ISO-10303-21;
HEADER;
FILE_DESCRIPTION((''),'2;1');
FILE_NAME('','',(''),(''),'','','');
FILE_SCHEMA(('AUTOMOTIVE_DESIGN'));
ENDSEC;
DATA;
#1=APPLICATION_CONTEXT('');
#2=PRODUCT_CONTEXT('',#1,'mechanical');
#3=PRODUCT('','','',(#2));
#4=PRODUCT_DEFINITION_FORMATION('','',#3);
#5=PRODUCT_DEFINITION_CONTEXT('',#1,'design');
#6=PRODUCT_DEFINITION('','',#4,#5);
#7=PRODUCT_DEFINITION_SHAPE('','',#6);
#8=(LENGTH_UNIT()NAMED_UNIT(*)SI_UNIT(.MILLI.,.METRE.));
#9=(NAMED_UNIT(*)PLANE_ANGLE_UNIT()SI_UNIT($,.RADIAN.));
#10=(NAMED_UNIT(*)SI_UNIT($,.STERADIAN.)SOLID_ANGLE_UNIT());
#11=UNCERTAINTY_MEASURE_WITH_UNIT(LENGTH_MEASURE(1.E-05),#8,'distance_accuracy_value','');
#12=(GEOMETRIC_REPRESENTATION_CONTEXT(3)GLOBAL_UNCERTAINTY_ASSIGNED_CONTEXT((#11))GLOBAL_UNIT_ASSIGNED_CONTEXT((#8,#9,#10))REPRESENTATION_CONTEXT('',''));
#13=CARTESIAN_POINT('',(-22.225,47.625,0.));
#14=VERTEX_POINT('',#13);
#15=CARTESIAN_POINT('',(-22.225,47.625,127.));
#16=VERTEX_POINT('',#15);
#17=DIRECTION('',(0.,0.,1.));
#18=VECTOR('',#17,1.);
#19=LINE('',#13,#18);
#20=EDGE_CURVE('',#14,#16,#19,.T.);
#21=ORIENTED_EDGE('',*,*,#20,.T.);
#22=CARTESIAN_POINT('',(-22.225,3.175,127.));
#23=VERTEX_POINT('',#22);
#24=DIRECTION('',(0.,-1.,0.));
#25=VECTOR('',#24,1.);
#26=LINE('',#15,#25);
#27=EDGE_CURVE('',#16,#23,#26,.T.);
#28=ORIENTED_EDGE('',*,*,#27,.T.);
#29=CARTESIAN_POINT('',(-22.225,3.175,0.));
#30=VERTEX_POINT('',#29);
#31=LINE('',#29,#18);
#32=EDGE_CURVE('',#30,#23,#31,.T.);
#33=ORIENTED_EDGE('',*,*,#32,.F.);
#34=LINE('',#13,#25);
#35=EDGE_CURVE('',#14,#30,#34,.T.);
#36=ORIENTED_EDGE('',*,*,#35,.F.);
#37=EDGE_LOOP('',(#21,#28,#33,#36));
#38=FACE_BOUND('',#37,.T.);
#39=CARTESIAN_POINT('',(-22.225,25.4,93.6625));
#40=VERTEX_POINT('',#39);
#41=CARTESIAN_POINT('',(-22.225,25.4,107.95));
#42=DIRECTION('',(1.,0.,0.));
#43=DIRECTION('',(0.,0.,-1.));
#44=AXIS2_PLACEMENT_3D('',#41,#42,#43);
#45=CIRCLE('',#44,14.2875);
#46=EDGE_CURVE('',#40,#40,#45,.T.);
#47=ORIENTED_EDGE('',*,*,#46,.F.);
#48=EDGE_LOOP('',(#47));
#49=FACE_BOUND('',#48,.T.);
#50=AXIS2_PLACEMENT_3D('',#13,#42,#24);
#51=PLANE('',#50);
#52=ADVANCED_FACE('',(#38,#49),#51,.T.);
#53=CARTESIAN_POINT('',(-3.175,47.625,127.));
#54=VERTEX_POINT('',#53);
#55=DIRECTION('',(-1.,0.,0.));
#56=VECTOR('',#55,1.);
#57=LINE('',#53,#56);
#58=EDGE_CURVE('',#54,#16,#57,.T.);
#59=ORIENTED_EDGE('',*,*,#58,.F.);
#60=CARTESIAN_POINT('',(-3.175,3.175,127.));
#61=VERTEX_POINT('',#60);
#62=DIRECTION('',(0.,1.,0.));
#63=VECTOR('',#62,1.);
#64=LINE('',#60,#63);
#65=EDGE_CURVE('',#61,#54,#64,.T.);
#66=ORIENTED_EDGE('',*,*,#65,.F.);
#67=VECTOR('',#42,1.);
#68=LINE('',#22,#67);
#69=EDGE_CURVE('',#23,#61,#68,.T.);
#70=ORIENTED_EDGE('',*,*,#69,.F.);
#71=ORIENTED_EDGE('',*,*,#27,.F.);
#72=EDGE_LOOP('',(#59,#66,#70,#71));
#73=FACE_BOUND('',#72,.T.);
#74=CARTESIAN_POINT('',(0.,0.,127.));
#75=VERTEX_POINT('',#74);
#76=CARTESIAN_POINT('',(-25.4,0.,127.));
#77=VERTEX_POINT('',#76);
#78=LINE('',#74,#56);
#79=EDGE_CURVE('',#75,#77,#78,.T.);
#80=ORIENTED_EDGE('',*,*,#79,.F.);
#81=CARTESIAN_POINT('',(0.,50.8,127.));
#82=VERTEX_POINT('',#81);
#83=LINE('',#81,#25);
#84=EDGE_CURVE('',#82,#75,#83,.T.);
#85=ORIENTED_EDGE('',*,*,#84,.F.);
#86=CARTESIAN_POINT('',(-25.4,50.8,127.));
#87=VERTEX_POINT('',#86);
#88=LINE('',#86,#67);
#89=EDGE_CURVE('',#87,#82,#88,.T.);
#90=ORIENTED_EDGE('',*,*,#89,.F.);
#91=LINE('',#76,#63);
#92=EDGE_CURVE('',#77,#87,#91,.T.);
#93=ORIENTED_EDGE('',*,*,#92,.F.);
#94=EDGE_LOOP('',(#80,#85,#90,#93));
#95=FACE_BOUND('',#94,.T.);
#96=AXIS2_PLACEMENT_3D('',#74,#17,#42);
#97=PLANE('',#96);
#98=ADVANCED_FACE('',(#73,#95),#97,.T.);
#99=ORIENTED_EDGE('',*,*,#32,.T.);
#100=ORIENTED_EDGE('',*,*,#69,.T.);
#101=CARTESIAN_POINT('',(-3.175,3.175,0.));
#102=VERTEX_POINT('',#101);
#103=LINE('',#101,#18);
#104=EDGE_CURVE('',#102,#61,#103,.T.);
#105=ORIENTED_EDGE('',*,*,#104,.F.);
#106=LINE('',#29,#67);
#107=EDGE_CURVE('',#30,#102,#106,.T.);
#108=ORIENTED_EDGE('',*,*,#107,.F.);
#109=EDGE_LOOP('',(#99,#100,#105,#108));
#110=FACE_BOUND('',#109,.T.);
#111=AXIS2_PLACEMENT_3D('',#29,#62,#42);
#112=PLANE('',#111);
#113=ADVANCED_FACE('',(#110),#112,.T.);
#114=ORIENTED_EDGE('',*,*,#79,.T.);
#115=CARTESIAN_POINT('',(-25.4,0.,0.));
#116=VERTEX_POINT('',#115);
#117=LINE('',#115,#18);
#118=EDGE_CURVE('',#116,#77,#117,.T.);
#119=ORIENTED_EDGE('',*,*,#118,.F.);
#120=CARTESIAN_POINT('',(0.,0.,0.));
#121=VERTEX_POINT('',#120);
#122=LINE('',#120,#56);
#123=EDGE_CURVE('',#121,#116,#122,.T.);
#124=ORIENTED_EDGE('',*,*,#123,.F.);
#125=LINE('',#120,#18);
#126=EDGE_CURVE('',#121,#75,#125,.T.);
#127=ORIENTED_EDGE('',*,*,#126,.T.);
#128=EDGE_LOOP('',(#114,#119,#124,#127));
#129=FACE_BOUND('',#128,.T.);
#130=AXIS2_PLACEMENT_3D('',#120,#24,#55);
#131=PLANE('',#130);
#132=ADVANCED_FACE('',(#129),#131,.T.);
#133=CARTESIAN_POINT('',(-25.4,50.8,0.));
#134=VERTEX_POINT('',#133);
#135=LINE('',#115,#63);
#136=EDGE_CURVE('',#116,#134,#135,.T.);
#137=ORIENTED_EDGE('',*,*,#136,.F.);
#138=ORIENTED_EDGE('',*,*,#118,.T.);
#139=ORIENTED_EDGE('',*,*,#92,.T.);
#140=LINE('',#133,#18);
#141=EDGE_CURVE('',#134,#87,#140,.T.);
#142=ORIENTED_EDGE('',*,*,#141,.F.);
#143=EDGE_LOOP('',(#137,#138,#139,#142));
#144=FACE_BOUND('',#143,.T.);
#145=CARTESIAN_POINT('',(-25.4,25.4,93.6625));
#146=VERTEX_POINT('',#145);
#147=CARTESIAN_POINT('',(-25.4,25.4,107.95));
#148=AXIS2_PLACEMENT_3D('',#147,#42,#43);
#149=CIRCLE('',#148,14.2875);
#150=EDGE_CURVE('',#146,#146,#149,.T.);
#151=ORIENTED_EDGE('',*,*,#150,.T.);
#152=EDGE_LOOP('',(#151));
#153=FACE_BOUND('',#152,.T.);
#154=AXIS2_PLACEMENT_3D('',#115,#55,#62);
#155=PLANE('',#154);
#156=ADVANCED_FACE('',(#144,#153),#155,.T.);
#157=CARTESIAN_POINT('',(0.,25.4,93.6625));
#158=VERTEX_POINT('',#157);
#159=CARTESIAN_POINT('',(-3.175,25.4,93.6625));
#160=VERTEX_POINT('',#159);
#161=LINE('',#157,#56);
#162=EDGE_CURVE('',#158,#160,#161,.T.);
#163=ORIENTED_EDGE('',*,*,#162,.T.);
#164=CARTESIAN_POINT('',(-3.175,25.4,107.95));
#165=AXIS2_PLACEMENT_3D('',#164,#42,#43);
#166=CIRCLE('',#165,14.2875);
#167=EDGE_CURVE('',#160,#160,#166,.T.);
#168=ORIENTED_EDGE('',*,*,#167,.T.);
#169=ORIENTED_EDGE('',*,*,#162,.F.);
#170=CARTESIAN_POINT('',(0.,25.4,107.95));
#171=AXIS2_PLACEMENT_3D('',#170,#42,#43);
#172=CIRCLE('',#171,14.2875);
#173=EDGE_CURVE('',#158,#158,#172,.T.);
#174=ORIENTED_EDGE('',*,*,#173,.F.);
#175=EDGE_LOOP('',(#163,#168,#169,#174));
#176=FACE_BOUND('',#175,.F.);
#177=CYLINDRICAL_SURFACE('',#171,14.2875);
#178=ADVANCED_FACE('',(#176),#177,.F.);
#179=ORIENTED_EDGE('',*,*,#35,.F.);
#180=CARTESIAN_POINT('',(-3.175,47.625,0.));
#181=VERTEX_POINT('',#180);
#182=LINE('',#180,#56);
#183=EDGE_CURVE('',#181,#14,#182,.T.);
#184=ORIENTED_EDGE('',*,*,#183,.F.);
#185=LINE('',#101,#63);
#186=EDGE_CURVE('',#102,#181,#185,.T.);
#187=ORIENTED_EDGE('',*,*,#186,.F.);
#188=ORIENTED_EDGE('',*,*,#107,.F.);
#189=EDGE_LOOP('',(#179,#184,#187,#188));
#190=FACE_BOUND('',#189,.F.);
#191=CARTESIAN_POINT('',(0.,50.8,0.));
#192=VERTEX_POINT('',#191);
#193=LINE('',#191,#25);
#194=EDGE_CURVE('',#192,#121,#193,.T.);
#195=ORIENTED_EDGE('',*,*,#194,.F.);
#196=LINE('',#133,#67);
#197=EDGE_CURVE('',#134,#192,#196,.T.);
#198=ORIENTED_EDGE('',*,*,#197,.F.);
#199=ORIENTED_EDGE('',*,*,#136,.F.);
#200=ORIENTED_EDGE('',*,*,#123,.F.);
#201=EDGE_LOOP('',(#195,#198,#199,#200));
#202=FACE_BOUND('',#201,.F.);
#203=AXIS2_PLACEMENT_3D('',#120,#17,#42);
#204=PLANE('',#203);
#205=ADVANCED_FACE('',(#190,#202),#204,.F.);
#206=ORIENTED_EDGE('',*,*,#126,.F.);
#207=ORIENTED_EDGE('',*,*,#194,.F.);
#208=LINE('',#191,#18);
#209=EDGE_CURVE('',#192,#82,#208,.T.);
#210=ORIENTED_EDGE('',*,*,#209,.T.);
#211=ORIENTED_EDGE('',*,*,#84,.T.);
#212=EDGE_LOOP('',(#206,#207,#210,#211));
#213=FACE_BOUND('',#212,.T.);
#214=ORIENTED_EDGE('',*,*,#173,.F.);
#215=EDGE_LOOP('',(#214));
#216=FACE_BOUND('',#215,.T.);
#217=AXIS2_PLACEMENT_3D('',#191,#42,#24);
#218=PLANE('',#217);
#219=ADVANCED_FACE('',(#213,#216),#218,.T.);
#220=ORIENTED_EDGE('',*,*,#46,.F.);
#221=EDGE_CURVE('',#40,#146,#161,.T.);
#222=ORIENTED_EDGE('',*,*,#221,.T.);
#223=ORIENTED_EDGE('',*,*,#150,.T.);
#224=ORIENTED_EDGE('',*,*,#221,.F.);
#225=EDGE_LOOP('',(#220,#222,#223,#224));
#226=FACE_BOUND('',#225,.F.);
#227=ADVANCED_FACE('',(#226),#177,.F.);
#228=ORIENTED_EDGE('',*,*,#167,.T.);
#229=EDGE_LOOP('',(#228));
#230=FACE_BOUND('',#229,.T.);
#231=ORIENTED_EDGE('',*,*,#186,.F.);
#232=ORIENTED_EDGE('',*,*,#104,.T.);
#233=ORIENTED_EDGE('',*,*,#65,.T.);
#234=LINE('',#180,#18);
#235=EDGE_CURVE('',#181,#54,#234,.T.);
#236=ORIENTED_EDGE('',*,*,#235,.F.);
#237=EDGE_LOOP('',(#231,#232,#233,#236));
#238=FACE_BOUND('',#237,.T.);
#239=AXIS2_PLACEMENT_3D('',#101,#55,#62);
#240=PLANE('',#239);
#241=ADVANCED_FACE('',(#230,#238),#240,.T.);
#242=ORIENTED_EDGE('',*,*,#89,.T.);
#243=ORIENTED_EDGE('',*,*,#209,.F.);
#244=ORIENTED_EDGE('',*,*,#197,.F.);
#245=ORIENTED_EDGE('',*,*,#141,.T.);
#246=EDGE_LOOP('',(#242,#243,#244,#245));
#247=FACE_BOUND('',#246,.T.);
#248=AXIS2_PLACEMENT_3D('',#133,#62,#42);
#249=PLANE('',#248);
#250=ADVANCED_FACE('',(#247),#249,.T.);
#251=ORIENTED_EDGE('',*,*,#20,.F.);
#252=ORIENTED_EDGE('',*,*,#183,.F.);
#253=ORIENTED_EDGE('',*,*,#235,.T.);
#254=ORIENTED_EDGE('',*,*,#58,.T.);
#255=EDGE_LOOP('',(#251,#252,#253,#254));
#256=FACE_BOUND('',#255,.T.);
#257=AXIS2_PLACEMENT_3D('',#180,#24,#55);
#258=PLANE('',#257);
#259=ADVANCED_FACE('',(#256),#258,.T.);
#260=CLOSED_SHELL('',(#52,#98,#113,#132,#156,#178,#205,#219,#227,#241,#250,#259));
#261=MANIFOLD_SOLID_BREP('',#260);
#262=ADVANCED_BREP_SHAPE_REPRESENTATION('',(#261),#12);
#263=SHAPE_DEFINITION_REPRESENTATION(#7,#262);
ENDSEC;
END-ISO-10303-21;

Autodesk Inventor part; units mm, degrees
ref_plane "YZ Plane" through (0, 0, 0) normal (1, 0, 0) x (0, 1, 0)
ref_plane "XZ Plane" through (0, 0, 0) normal (0, 1, 0) x (-1, 0, 0)
ref_plane "XY Plane" through (0, 0, 0) normal (0, 0, 1) x (1, 0, 0)
sketch "Sketch1" plane through (0, 0, 0) normal (0, 0, 1) x (1, 0, 0)
  point P0 (0, 0)
sketch "Sketch2" plane through (0, 0, 0) normal (0, 0, 1) x (1, 0, 0)
  line L0 (0, 0) -> (-25.4, 0)
  line L1 (-25.4, 0) -> (-25.4, 50.8)
  line L2 (-25.4, 50.8) -> (0, 50.8)
  line L3 (0, 50.8) -> (0, 0)
  line L4 (-22.225, 3.175) -> (-3.175, 3.175)
  line L5 (-3.175, 3.175) -> (-3.175, 47.625)
  line L6 (-3.175, 47.625) -> (-22.225, 47.625)
  line L7 (-22.225, 47.625) -> (-22.225, 3.175)
  dimension "d0" = 25.4
  dimension "d1" = 50.8
  dimension "d2" = 3.175
extrude "Extrusion1" add sketch "Sketch2" along normal blind 127
sketch "Sketch3" plane through (0, 0, 0) normal (1, 0, 0) x (0, 0, -1)
  circle A0 centre (-107.95, 25.4) radius 14.2875
  line L0 (-127, 0) -> (-127, 50.8) projected
  line L1 (0, 50.8) -> (-127, 50.8) projected
  point P0 (0, 0)
  dimension "d5" = 28.575
  dimension "d6" = 19.05
  dimension "d7" = 25.4
extrude "Extrusion2" cut sketch "Sketch3" against normal blind 127
properties part number "SOD holder"
